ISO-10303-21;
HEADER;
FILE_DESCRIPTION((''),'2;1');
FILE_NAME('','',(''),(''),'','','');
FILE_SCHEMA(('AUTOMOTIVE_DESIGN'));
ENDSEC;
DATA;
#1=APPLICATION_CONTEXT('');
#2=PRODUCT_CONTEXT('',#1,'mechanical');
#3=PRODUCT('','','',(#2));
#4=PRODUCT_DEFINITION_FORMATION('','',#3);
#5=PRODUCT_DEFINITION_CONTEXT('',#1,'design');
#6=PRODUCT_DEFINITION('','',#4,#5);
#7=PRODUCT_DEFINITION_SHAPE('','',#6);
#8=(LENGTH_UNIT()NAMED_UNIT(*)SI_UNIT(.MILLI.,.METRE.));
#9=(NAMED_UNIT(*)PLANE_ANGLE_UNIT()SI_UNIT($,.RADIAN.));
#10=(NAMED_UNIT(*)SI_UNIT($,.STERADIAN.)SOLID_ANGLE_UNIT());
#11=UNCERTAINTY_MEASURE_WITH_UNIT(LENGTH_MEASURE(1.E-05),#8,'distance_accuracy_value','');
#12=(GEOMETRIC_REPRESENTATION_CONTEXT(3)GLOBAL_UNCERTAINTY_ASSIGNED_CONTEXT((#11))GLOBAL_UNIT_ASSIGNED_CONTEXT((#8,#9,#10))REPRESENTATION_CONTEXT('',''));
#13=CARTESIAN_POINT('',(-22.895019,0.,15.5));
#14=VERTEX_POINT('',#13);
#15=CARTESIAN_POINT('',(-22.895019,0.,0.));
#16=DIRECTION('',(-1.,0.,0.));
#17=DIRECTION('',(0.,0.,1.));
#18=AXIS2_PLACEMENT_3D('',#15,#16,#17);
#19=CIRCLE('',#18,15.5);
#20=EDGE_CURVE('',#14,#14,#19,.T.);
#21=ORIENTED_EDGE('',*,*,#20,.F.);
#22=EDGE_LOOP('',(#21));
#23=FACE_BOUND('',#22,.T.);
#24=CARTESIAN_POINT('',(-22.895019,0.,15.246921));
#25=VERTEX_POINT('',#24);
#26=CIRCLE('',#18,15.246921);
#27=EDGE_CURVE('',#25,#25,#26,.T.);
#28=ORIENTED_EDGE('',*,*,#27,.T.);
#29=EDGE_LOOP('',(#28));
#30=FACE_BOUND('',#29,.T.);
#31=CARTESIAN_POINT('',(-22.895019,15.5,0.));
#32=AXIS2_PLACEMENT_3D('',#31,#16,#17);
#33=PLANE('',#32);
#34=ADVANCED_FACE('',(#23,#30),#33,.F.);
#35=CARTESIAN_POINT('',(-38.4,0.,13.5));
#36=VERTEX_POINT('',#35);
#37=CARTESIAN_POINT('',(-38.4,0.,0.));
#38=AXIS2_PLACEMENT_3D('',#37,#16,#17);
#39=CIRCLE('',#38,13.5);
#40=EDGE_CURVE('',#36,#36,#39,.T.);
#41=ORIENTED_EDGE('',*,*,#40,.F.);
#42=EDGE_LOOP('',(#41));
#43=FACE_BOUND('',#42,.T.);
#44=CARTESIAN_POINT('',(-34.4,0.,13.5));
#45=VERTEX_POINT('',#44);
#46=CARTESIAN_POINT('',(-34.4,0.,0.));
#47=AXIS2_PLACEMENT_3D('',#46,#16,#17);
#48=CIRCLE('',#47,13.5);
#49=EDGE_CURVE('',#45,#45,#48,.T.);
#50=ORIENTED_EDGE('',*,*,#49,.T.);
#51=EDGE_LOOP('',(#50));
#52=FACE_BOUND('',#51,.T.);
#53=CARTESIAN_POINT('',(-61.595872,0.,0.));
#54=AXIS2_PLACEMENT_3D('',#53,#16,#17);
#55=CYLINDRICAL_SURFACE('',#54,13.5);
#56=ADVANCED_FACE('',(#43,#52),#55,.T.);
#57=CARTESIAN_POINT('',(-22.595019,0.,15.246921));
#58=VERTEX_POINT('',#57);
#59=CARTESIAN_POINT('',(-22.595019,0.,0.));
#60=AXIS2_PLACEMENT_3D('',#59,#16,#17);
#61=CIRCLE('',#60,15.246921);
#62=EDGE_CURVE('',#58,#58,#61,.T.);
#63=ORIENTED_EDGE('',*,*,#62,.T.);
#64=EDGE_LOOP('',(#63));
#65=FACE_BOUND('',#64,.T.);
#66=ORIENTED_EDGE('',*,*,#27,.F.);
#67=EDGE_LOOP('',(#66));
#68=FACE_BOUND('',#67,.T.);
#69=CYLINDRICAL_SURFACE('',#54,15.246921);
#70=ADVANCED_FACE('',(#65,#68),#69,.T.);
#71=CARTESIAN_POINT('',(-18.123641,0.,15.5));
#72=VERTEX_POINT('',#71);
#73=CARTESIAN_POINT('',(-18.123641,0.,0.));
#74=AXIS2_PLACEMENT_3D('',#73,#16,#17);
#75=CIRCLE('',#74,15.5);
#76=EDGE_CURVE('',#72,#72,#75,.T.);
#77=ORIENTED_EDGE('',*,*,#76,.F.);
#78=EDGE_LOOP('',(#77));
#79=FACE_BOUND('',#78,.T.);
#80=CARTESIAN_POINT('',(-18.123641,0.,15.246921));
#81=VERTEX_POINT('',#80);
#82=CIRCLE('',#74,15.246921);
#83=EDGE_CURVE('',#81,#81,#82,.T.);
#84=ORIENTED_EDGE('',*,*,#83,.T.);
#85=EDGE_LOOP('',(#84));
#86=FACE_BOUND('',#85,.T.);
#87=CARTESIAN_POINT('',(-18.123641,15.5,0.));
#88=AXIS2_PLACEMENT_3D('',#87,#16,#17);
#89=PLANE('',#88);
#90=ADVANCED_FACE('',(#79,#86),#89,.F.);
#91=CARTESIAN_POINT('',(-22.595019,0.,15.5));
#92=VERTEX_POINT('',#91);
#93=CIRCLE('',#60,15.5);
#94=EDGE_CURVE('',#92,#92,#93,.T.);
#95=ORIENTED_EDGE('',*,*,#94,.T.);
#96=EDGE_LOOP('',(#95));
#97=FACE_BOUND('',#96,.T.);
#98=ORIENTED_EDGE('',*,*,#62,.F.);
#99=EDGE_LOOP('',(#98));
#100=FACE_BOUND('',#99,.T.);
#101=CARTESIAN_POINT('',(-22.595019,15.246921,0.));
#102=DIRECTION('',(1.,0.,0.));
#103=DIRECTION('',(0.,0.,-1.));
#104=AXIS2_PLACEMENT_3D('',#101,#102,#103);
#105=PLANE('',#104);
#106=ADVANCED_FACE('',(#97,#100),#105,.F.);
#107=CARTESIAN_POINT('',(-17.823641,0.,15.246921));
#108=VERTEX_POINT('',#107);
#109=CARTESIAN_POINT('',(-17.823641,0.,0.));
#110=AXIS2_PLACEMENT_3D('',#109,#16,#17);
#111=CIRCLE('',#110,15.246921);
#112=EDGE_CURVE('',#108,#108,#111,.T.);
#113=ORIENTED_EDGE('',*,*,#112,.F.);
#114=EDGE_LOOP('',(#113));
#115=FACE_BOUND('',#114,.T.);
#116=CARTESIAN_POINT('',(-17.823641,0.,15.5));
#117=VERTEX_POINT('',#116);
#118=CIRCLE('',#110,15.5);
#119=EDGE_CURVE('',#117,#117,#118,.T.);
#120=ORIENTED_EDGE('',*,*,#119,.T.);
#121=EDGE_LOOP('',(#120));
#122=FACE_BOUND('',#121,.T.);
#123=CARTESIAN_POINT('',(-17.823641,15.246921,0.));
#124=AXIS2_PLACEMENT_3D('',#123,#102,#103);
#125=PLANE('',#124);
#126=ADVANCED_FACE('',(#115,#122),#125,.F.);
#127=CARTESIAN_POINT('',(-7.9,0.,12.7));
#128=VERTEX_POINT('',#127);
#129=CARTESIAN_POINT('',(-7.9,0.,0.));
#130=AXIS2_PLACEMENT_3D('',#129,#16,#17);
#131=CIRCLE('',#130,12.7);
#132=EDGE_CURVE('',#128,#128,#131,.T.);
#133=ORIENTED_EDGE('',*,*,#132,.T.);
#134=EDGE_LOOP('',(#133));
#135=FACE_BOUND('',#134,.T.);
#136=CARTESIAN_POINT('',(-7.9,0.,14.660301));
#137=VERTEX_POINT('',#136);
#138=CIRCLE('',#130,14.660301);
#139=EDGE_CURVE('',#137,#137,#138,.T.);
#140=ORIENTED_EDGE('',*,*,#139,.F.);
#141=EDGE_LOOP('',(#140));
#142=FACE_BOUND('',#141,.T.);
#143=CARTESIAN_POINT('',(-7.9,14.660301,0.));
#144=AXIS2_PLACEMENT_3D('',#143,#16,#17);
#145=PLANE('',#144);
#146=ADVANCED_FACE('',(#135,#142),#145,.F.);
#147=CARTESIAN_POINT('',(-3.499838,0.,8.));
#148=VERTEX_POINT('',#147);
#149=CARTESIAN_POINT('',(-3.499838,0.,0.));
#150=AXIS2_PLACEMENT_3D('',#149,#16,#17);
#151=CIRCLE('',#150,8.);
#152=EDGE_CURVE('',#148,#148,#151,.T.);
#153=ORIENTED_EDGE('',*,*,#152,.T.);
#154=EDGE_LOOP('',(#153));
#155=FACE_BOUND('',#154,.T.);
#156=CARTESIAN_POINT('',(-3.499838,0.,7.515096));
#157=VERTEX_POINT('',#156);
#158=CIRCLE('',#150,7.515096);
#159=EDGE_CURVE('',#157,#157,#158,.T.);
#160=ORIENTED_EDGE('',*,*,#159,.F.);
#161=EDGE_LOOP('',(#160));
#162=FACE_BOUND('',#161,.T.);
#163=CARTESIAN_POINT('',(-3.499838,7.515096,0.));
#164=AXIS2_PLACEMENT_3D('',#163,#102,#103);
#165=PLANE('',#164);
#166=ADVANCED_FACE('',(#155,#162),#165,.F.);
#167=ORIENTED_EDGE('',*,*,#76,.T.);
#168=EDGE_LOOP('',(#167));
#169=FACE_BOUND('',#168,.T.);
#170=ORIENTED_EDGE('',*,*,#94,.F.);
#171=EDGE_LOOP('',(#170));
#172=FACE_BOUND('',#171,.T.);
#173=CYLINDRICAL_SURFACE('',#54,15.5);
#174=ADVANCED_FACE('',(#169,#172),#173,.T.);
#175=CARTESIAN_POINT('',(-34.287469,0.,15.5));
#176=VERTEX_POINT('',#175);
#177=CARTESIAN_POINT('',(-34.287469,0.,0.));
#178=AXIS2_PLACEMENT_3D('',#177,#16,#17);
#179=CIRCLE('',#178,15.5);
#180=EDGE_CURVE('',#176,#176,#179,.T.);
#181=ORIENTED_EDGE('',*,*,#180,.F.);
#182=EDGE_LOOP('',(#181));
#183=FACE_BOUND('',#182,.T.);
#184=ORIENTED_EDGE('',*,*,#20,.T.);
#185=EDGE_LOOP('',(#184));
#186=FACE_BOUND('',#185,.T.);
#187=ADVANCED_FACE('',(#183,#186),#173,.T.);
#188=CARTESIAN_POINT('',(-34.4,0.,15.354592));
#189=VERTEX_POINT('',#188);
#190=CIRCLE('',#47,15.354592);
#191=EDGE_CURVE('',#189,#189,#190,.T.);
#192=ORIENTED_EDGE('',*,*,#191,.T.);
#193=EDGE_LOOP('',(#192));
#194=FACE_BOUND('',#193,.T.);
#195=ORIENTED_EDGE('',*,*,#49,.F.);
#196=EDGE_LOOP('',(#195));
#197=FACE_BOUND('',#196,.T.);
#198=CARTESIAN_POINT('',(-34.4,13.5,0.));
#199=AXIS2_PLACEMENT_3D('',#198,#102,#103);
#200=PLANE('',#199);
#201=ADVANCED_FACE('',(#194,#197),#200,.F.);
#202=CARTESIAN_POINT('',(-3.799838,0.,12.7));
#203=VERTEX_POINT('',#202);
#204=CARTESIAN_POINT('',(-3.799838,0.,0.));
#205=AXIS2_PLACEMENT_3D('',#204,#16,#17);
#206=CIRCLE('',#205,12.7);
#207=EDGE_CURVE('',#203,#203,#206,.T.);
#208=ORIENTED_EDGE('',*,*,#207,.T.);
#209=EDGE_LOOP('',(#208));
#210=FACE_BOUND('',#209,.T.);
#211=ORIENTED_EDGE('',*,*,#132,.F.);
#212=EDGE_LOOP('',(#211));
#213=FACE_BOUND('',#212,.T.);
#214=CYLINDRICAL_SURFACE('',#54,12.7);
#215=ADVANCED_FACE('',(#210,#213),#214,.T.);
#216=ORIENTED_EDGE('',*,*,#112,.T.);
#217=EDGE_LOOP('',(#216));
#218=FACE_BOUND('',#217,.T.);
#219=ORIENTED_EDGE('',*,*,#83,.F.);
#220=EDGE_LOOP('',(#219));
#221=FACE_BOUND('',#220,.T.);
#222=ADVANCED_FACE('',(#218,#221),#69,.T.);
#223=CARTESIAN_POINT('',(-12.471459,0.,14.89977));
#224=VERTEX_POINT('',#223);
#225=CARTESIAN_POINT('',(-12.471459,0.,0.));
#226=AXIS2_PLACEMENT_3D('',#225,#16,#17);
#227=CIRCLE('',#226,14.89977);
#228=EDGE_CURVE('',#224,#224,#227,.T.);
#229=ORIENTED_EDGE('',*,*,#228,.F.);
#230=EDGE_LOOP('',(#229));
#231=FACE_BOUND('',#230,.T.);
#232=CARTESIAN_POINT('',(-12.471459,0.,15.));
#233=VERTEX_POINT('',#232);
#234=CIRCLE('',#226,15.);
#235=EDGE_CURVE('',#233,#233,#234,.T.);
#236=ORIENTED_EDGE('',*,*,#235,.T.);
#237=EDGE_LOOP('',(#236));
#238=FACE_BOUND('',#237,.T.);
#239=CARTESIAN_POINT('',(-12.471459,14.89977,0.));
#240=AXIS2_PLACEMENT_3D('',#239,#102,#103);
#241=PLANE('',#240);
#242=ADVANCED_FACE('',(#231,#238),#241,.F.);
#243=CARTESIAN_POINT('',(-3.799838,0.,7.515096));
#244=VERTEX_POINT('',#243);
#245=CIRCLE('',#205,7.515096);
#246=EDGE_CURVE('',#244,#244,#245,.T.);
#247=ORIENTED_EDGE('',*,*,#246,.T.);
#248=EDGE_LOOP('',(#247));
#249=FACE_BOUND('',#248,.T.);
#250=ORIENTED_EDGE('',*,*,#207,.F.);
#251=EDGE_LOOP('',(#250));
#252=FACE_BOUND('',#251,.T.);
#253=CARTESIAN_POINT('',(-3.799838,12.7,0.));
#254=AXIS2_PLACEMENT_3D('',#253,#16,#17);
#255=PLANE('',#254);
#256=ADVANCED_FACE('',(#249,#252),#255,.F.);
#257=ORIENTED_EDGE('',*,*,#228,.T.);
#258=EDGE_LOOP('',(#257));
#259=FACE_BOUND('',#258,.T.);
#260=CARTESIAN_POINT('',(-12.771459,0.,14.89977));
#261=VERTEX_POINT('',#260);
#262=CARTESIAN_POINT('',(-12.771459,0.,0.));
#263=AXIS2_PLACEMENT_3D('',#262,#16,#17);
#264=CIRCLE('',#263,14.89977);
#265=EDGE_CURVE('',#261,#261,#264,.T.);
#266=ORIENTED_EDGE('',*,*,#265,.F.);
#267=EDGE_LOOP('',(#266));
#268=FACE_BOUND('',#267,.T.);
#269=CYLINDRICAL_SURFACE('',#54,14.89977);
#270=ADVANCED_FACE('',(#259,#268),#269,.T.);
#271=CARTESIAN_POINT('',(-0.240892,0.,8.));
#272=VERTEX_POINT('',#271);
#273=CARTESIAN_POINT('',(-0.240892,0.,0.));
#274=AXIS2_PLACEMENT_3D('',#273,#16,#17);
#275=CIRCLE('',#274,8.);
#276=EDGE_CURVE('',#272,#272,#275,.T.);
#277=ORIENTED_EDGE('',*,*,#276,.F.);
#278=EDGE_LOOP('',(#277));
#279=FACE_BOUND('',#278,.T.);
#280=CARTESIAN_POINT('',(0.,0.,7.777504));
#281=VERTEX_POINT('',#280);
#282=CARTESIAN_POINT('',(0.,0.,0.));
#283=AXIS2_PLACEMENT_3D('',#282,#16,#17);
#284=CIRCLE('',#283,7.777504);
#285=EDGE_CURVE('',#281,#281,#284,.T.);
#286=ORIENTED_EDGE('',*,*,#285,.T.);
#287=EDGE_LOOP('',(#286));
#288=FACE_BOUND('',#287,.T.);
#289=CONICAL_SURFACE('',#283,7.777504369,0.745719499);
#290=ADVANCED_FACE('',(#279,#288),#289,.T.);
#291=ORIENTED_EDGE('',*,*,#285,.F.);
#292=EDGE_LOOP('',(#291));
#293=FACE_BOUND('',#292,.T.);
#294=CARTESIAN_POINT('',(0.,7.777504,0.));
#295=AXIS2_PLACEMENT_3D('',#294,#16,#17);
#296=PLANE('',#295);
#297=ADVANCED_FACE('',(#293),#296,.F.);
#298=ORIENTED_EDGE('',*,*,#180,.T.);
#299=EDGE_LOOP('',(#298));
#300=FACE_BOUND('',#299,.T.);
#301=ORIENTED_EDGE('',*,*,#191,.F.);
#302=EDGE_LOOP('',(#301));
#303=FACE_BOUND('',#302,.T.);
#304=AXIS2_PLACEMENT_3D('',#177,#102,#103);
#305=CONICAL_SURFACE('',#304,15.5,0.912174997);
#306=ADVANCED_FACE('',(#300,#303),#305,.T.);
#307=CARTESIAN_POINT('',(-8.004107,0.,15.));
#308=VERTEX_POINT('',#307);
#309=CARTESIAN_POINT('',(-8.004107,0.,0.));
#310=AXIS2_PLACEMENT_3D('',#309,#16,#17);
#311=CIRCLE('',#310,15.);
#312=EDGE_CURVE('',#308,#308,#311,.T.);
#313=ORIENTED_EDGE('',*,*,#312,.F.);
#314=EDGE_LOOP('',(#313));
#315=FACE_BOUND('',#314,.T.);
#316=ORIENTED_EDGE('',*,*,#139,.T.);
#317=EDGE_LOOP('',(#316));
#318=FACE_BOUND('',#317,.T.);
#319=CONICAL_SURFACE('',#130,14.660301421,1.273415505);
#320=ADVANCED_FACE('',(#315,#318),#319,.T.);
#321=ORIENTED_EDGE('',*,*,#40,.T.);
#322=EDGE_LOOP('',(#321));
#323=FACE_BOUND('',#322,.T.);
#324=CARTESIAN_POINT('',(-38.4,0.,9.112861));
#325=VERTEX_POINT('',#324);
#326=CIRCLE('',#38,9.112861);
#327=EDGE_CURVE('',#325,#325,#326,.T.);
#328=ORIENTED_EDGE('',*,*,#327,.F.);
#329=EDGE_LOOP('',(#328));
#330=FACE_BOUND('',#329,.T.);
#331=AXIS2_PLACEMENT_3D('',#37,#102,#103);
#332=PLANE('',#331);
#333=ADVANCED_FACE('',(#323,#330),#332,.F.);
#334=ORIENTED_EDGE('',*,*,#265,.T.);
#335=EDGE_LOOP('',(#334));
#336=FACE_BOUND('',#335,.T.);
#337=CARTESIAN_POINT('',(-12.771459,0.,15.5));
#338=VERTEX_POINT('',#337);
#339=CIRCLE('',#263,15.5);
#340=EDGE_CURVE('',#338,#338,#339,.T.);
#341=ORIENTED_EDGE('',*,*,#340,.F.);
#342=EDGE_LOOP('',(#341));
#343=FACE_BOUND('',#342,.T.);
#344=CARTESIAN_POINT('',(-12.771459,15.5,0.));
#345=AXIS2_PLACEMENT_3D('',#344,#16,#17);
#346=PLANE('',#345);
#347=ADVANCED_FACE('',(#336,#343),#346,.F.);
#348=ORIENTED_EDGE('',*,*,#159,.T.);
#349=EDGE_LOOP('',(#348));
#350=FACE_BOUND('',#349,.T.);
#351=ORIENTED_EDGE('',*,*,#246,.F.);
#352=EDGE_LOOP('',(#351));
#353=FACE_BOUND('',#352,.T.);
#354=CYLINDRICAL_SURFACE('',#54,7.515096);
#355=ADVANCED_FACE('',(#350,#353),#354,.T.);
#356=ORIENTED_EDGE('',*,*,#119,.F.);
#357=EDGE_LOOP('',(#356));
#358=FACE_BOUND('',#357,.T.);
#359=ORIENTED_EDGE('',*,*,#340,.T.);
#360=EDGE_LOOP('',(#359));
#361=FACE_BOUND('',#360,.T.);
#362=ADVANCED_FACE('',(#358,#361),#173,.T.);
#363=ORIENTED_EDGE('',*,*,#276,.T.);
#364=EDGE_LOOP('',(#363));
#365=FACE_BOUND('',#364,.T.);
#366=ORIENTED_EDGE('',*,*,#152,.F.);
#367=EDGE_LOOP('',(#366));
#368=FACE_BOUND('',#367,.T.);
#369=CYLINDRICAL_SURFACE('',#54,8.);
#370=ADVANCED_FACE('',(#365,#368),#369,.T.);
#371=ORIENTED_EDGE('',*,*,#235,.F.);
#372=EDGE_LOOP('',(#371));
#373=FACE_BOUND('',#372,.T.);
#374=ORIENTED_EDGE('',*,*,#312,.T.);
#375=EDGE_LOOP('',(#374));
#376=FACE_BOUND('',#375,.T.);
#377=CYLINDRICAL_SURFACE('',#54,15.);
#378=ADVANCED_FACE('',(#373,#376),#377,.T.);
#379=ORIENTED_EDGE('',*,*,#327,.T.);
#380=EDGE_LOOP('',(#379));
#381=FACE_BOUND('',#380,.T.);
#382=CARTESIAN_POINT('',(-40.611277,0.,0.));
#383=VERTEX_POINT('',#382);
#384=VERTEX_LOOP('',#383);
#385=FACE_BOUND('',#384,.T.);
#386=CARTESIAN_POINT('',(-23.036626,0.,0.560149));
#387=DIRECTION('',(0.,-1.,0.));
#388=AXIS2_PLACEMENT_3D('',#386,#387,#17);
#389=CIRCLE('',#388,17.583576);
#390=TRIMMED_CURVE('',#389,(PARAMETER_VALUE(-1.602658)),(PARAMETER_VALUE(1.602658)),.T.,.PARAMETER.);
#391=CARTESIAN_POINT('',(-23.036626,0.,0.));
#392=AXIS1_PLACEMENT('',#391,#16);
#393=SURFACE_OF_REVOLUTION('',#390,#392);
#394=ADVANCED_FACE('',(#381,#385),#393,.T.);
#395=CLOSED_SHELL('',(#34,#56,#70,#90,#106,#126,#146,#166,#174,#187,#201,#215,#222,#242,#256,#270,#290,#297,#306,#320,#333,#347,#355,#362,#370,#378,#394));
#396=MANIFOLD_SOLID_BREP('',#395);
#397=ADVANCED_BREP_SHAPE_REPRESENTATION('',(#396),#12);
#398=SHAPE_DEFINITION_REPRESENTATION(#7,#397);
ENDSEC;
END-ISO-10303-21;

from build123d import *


with BuildPart() as part:
    # Sketch1 → Revolve1 (revolve)
    with BuildSketch(Plane.XY, mode=Mode.PRIVATE) as revolve1_sk:
        Polygon((-38.4, 0), (-38.4, 13.5), (-34.4, 13.5), (-34.4, 15.354591962), (-34.287468985, 15.5), (-22.895018976, 15.5), (-22.895018976, 15.246920735), (-22.595018976, 15.246920735), (-22.595018976, 15.5), (-18.123640766, 15.5), (-18.123640766, 15.246920735), (-17.823640766, 15.246920735), (-17.823640766, 15.5), (-12.771458761, 15.5), (-12.771458761, 14.899770288), (-12.471458761, 14.899770288), (-12.471458761, 15), (-8.004107003, 15), (-7.9, 14.660301421), (-7.9, 12.7), (-3.799837925, 12.7), (-3.799837925, 7.515096405), (-3.499837925, 7.515096405), (-3.499837925, 8), (-0.240891884, 8), (0, 7.777504369), (0, 0), align=None)
    revolve(revolve1_sk.sketch.rotate(Axis((-61.595871807, 0, 0), (1, 0, 0)), 90), axis=Axis((-61.595871807, 0, 0), (1, 0, 0)))

    # Sketch2 → Revolve2 (revolve)
    with BuildSketch(Plane(origin=(0, 0, 0), x_dir=(1, 0, 0), z_dir=(0, 1, 0))):
        with BuildLine():
            Line((-38.4, -9.112860892), (-38.4, 0))
            Line((-38.4, 0), (-40.611277306, 0))
            ThreePointArc((-40.611277306, 0), (-40.124324385, -4.706557364), (-38.4, -9.112860892))
        make_face()
    revolve(axis=Axis((-49.369562138, 0, 0), (1, 0, 0)))


solid = part.part
